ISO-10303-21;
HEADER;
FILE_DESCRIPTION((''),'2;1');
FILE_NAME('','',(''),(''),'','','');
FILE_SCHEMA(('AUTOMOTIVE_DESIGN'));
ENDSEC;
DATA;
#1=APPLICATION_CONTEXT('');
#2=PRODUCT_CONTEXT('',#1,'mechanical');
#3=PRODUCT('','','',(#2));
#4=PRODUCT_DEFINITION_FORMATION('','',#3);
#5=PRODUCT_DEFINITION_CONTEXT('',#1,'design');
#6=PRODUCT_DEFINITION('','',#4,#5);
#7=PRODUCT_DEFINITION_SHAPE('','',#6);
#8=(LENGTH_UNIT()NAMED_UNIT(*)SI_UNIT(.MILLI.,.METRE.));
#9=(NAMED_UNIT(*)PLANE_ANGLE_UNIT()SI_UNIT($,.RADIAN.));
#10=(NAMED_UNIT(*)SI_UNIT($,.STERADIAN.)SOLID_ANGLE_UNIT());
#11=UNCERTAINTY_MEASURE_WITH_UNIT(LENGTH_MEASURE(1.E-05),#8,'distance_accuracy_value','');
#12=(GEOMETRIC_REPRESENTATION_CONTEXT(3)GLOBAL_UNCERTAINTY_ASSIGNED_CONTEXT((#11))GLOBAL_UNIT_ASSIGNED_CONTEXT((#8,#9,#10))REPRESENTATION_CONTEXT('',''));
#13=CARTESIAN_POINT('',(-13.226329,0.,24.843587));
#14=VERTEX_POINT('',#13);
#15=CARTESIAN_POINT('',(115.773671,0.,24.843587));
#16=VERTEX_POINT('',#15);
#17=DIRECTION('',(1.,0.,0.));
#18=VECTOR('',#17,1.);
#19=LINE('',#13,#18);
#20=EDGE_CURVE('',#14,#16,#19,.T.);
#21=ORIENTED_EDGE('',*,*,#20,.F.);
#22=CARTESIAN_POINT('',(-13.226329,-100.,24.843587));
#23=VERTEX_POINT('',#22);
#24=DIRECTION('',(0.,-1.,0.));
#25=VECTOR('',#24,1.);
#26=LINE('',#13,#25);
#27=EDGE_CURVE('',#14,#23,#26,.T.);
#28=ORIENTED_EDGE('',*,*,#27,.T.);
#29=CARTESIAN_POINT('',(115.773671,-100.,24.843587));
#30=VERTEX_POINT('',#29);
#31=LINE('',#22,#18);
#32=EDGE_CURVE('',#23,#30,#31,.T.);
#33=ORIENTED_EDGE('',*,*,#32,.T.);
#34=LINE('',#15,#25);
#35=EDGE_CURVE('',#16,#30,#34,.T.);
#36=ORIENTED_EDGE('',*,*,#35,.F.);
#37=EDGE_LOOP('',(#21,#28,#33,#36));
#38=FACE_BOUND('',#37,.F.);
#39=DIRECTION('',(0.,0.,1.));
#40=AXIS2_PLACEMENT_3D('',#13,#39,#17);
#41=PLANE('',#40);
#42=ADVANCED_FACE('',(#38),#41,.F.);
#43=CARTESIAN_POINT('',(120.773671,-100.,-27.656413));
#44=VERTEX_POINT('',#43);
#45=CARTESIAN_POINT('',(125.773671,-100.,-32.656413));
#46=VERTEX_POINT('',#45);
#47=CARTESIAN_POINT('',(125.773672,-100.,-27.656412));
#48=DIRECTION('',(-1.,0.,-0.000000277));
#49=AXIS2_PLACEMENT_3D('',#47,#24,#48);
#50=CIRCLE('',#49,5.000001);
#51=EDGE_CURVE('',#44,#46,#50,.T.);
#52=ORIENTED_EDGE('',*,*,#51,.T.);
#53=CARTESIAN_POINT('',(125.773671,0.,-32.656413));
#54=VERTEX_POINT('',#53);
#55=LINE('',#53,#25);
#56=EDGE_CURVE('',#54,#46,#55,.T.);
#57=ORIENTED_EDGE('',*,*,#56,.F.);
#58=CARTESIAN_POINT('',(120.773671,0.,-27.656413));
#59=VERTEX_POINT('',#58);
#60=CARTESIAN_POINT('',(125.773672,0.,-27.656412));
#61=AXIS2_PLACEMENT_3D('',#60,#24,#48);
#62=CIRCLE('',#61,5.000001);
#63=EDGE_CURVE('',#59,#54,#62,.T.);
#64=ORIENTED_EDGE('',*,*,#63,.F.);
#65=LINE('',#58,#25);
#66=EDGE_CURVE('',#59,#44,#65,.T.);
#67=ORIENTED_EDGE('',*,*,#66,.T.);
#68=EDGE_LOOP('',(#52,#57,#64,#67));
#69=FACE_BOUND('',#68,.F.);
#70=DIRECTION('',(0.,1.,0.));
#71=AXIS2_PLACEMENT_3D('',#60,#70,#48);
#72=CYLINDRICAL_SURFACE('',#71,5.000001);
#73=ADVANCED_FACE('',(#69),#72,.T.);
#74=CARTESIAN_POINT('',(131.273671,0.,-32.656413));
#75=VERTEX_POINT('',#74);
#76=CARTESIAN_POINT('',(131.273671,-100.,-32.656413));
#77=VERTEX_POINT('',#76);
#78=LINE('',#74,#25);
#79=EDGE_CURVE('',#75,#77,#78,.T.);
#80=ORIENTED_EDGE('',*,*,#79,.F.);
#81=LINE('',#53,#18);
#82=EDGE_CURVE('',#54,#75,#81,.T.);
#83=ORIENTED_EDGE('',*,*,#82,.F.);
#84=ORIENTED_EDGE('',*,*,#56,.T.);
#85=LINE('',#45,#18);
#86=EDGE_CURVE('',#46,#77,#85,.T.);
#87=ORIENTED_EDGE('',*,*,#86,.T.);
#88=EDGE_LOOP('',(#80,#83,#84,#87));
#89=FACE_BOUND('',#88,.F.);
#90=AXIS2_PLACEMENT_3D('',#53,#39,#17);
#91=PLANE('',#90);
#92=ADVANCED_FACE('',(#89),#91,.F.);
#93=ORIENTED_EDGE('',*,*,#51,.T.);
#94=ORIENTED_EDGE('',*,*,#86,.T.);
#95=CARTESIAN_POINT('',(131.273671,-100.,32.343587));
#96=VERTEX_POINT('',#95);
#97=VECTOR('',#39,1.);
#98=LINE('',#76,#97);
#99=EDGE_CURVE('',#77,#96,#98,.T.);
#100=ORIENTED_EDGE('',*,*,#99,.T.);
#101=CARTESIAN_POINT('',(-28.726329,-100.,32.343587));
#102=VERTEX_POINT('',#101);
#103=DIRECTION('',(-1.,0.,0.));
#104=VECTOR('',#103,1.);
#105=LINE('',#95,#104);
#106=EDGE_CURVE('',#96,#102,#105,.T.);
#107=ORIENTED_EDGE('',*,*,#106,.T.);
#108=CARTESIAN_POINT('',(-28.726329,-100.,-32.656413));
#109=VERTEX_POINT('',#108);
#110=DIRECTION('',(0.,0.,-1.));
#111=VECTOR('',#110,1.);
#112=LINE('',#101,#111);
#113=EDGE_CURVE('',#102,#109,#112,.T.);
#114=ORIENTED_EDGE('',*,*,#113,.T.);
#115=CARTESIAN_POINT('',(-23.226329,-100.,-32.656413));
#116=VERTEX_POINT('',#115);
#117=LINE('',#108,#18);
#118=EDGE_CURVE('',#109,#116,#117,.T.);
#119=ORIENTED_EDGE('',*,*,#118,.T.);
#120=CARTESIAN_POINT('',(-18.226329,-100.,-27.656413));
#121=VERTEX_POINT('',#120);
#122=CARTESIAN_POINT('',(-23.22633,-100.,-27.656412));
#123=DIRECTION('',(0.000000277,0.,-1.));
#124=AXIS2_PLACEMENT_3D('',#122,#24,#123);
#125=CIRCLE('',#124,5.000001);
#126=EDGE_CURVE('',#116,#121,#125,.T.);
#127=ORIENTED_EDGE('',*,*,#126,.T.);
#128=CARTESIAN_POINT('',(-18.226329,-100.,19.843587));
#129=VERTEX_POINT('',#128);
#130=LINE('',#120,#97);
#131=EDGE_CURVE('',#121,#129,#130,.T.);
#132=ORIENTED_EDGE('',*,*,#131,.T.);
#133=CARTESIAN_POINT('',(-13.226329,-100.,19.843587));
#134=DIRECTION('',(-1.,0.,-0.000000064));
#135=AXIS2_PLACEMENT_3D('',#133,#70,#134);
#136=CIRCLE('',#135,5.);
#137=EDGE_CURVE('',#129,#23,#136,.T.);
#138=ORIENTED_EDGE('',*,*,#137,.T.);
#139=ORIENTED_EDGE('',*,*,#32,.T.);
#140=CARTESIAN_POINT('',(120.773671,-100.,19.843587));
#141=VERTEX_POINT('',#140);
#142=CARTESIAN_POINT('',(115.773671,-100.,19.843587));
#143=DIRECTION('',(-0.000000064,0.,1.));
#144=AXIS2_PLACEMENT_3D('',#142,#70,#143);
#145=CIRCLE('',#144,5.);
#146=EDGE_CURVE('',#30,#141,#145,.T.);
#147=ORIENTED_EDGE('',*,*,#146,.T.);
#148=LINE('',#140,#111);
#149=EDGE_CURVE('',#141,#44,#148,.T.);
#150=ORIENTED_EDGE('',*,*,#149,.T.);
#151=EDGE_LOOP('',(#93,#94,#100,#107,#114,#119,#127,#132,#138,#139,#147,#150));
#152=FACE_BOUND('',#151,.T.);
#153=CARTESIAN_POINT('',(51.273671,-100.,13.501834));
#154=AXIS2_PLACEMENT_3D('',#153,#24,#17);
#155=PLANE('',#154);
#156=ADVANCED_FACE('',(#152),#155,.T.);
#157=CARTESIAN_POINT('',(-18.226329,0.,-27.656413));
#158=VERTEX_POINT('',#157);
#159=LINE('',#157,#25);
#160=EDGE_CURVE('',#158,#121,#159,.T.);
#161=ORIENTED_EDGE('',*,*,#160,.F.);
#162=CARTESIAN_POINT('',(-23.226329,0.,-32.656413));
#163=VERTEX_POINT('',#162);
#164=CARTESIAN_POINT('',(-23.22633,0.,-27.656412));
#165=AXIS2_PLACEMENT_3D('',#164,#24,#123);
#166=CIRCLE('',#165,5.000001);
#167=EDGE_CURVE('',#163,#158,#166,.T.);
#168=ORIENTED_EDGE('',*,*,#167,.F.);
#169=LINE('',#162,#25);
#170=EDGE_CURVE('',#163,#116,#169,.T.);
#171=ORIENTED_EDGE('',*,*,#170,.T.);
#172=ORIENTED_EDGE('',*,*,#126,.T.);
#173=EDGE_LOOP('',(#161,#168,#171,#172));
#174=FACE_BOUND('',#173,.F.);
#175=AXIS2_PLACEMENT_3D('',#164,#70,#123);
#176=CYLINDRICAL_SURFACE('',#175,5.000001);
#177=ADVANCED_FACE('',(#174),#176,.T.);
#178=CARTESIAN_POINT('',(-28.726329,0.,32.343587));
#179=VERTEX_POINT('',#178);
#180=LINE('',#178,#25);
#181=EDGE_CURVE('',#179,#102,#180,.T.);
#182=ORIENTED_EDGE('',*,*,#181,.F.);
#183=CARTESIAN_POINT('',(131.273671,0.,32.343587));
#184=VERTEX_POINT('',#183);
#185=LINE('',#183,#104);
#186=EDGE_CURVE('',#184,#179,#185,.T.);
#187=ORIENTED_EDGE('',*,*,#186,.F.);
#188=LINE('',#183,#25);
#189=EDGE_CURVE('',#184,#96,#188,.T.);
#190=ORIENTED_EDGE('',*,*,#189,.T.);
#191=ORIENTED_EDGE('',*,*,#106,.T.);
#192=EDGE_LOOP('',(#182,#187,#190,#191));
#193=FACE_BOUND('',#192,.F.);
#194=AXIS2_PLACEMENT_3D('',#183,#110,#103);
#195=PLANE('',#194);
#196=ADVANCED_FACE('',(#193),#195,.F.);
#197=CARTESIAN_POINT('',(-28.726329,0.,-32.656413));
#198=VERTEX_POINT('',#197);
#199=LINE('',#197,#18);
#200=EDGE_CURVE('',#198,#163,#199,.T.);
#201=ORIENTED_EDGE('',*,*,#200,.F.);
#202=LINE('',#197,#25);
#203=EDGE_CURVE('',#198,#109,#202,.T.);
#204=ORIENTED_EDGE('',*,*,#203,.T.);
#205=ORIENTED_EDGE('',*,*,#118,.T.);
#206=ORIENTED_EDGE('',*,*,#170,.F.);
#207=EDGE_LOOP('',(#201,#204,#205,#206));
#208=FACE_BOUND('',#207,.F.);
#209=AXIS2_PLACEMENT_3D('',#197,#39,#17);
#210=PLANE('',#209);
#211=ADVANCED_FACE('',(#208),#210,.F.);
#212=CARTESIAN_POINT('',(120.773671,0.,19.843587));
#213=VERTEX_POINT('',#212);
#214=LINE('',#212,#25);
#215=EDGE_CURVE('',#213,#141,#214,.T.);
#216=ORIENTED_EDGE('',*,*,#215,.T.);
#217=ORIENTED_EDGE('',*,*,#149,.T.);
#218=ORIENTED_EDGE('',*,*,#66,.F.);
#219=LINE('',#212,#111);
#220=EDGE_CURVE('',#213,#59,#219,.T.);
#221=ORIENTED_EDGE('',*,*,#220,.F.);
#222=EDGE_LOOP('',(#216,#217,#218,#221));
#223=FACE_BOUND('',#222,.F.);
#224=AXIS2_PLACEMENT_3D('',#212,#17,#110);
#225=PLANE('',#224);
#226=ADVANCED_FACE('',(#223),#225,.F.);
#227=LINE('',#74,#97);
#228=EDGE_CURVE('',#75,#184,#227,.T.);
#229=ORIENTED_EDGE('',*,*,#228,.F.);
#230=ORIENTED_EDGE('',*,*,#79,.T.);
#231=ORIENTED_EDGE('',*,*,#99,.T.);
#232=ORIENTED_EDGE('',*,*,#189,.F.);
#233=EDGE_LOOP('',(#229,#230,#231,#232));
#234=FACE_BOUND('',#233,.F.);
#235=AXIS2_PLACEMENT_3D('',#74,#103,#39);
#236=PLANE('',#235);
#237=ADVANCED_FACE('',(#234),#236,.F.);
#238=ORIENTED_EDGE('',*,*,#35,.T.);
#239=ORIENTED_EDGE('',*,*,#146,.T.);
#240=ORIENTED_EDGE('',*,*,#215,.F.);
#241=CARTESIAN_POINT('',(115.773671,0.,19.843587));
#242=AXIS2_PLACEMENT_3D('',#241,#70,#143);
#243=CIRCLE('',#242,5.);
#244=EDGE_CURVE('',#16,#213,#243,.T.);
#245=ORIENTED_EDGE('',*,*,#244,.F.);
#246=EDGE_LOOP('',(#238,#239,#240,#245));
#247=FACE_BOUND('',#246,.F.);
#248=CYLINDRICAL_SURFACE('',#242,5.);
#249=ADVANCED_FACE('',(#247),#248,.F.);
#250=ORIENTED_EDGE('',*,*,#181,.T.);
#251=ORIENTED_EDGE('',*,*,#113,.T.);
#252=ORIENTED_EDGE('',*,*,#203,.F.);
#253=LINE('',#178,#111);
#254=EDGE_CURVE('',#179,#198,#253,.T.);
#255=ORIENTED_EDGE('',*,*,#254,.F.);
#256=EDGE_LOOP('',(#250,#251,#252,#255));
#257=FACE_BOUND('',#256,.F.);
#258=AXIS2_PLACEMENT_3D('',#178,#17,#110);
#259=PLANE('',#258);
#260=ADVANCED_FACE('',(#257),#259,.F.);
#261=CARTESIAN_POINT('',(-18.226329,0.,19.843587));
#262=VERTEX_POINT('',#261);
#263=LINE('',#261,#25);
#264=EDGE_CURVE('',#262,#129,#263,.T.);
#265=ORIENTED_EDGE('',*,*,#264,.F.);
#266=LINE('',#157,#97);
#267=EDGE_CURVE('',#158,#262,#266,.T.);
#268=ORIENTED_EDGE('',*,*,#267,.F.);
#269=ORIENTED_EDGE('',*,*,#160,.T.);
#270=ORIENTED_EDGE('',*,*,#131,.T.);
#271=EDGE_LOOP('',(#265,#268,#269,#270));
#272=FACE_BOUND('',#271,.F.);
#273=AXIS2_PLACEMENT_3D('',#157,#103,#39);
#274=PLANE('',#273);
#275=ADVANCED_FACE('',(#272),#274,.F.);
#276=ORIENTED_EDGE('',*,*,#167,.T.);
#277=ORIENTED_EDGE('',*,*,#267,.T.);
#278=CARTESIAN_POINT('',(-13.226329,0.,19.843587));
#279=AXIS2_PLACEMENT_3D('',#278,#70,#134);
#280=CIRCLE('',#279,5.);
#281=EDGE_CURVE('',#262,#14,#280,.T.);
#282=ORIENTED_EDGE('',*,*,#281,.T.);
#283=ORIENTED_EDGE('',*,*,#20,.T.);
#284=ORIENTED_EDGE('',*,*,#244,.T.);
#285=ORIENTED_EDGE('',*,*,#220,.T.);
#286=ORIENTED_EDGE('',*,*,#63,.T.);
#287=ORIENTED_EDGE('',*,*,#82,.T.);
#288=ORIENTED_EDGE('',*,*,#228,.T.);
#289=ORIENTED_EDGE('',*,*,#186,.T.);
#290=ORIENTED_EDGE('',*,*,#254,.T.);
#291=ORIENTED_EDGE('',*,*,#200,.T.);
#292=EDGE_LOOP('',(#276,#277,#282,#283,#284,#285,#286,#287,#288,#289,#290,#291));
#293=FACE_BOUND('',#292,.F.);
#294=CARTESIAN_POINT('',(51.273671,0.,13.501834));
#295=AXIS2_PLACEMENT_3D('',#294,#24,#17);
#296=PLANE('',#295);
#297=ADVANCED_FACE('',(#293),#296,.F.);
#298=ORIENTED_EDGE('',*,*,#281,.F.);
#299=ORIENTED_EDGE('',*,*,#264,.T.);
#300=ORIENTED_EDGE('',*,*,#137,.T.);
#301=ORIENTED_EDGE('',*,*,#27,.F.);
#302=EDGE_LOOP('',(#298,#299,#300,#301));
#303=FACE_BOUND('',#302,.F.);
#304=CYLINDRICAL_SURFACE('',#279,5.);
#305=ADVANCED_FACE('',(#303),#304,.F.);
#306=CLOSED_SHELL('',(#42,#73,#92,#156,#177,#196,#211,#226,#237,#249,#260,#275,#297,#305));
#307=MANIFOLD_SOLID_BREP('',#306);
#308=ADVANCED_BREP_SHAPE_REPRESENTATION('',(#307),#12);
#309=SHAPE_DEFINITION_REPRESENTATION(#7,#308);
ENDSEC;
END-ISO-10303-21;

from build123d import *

# Parameters (mm, degrees)
F1_DEPTH = 100


with BuildPart() as f1:
    # F0 (on Front) → F1 (new body)
    with BuildSketch(Plane.XZ):
        with BuildLine():
            Line((131.273671, 32.343587), (-28.726329, 32.343587))
            Line((-28.726329, 32.343587), (-28.726329, -32.656413))
            Line((-28.726329, -32.656413), (-23.226329, -32.656413))
            ThreePointArc((-23.226329, -32.656413), (-19.690795, -31.191946), (-18.226329, -27.656413))
            Line((-18.226329, -27.656413), (-18.226329, 19.843587))
            ThreePointArc((-18.226329, 19.843587), (-16.761863, 23.379121), (-13.226329, 24.843587))
            Line((-13.226329, 24.843587), (115.773671, 24.843587))
            ThreePointArc((115.773671, 24.843587), (119.309205, 23.379121), (120.773671, 19.843587))
            Line((120.773671, 19.843587), (120.773671, -27.656413))
            ThreePointArc((120.773671, -27.656413), (122.238137, -31.191946), (125.773671, -32.656413))
            Line((125.773671, -32.656413), (131.273671, -32.656413))
            Line((131.273671, -32.656413), (131.273671, 32.343587))
        make_face()
    extrude(amount=F1_DEPTH)


solid = f1.part
